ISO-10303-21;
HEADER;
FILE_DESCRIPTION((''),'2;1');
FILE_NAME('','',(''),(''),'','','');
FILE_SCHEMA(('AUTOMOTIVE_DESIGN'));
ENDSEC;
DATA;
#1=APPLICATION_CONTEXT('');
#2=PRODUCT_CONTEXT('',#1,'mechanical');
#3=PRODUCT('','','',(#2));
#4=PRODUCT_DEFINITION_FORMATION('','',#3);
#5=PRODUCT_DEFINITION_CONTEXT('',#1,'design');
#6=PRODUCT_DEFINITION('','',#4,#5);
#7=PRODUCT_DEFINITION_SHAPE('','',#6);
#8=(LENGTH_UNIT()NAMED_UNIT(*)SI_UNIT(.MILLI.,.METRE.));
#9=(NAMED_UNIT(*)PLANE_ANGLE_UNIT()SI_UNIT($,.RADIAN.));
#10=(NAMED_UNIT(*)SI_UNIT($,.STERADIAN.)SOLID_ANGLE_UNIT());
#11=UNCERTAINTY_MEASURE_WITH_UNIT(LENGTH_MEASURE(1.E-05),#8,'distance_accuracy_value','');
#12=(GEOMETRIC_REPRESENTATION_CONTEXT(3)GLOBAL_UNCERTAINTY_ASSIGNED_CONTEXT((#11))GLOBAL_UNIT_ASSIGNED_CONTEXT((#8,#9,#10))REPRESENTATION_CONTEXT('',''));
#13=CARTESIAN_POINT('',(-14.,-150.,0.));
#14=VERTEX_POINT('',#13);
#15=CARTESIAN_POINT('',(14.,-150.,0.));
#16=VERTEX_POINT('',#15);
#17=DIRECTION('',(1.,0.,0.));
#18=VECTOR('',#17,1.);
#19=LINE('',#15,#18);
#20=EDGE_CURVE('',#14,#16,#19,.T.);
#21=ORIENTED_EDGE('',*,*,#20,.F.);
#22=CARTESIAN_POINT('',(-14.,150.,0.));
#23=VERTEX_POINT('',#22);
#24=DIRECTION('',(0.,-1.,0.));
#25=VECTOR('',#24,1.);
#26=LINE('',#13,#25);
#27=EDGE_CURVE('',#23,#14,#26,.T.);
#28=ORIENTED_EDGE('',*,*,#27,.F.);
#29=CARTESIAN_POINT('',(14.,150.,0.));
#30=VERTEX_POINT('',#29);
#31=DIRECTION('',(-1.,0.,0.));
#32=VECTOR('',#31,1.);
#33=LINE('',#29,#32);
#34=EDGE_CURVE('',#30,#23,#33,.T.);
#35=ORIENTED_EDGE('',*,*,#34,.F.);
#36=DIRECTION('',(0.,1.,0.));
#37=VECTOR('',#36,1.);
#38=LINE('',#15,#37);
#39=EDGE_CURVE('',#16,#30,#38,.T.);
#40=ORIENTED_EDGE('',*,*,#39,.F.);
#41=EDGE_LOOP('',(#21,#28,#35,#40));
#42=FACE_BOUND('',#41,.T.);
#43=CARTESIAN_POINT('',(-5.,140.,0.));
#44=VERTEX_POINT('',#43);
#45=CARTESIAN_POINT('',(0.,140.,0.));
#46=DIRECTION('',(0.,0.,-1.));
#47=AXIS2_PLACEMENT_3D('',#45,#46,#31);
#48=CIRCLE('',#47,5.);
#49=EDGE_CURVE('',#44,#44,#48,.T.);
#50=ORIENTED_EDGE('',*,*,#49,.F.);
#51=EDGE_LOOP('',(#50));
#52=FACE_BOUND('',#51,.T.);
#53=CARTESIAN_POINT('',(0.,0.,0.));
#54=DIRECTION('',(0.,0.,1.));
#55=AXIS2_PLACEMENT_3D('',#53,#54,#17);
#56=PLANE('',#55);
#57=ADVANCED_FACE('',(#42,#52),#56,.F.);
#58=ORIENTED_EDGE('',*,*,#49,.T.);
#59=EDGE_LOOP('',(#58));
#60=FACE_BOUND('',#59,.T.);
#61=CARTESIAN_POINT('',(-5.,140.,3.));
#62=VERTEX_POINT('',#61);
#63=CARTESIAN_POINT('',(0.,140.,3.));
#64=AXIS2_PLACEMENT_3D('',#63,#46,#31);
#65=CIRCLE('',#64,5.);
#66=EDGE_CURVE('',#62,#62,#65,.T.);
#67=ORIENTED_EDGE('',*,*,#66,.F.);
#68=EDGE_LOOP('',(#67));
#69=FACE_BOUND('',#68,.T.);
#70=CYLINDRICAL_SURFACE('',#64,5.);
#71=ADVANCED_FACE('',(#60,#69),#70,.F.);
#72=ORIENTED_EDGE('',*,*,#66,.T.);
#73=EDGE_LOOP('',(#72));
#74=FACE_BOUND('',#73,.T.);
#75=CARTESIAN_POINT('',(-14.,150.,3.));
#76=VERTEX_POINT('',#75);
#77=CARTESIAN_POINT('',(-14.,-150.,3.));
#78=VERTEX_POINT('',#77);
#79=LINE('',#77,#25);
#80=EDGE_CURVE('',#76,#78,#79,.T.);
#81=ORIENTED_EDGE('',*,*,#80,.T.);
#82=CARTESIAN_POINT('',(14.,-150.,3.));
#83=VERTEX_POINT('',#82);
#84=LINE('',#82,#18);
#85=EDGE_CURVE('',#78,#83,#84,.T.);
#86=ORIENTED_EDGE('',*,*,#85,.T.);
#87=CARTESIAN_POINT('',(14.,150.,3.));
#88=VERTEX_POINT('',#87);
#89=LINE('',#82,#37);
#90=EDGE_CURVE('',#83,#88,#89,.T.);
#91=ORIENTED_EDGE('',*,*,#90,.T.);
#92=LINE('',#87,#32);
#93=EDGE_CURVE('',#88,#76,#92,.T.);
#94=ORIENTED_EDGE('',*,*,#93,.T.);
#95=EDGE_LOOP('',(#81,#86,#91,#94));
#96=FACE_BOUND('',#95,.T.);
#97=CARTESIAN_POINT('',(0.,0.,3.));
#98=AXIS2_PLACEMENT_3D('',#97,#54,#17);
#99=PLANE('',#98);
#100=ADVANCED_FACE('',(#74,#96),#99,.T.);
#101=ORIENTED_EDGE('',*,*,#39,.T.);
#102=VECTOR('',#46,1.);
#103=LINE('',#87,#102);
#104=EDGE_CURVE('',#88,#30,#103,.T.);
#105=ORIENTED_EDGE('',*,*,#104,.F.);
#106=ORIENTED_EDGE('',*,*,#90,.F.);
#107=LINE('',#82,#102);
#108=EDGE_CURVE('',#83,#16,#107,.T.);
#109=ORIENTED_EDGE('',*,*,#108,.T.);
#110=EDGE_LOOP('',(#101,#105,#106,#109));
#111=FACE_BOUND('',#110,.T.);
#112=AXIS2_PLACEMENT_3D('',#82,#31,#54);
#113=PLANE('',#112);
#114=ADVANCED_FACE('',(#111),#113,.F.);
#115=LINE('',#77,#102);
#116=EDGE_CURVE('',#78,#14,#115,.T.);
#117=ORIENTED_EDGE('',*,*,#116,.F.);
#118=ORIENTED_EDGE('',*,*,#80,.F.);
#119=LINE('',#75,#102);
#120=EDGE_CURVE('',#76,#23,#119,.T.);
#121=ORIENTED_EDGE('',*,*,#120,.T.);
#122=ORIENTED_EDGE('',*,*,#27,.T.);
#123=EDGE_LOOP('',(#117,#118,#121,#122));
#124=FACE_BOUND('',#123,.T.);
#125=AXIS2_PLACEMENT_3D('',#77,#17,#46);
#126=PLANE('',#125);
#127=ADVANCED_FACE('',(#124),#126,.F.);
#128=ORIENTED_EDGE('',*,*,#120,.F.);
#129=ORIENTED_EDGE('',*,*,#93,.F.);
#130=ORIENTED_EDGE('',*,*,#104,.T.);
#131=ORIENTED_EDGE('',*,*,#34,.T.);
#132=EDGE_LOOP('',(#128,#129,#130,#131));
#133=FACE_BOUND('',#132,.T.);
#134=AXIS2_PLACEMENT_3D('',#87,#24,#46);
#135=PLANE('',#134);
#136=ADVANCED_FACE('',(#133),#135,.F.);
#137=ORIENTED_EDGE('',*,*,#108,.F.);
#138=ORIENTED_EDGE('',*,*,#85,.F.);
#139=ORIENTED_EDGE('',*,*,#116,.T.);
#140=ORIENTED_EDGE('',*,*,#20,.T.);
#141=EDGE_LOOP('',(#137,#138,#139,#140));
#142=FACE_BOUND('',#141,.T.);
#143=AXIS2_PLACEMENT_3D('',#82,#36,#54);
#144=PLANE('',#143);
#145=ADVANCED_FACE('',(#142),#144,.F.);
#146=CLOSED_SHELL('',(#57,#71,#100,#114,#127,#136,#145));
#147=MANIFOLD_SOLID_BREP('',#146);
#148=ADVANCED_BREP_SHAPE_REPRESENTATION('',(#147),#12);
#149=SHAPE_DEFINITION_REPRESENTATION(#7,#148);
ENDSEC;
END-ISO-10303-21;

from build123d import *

# Parameters (mm, degrees)
CROQUIS1_W              = 28
CROQUIS1_H              = 300
SALIENTE_EXTRUIR1_DEPTH = 3
CROQUIS2_R              = 5
CORTAR_EXTRUIR1_DEPTH   = 151.681783902


with BuildPart() as part:
    # Croquis1 → Saliente-Extruir1 (new body)
    with BuildSketch(Plane.XY):
        Rectangle(CROQUIS1_W, CROQUIS1_H)
    extrude(amount=SALIENTE_EXTRUIR1_DEPTH)

    # Croquis2 → Cortar-Extruir1 (cut, through all)
    with BuildSketch(Plane(origin=(0, 0, 0), x_dir=(-1, 0, 0), z_dir=(0, 0, -1))):
        with Locations((0, 140)):
            Circle(CROQUIS2_R)
    extrude(amount=-CORTAR_EXTRUIR1_DEPTH, mode=Mode.SUBTRACT)


solid = part.part
